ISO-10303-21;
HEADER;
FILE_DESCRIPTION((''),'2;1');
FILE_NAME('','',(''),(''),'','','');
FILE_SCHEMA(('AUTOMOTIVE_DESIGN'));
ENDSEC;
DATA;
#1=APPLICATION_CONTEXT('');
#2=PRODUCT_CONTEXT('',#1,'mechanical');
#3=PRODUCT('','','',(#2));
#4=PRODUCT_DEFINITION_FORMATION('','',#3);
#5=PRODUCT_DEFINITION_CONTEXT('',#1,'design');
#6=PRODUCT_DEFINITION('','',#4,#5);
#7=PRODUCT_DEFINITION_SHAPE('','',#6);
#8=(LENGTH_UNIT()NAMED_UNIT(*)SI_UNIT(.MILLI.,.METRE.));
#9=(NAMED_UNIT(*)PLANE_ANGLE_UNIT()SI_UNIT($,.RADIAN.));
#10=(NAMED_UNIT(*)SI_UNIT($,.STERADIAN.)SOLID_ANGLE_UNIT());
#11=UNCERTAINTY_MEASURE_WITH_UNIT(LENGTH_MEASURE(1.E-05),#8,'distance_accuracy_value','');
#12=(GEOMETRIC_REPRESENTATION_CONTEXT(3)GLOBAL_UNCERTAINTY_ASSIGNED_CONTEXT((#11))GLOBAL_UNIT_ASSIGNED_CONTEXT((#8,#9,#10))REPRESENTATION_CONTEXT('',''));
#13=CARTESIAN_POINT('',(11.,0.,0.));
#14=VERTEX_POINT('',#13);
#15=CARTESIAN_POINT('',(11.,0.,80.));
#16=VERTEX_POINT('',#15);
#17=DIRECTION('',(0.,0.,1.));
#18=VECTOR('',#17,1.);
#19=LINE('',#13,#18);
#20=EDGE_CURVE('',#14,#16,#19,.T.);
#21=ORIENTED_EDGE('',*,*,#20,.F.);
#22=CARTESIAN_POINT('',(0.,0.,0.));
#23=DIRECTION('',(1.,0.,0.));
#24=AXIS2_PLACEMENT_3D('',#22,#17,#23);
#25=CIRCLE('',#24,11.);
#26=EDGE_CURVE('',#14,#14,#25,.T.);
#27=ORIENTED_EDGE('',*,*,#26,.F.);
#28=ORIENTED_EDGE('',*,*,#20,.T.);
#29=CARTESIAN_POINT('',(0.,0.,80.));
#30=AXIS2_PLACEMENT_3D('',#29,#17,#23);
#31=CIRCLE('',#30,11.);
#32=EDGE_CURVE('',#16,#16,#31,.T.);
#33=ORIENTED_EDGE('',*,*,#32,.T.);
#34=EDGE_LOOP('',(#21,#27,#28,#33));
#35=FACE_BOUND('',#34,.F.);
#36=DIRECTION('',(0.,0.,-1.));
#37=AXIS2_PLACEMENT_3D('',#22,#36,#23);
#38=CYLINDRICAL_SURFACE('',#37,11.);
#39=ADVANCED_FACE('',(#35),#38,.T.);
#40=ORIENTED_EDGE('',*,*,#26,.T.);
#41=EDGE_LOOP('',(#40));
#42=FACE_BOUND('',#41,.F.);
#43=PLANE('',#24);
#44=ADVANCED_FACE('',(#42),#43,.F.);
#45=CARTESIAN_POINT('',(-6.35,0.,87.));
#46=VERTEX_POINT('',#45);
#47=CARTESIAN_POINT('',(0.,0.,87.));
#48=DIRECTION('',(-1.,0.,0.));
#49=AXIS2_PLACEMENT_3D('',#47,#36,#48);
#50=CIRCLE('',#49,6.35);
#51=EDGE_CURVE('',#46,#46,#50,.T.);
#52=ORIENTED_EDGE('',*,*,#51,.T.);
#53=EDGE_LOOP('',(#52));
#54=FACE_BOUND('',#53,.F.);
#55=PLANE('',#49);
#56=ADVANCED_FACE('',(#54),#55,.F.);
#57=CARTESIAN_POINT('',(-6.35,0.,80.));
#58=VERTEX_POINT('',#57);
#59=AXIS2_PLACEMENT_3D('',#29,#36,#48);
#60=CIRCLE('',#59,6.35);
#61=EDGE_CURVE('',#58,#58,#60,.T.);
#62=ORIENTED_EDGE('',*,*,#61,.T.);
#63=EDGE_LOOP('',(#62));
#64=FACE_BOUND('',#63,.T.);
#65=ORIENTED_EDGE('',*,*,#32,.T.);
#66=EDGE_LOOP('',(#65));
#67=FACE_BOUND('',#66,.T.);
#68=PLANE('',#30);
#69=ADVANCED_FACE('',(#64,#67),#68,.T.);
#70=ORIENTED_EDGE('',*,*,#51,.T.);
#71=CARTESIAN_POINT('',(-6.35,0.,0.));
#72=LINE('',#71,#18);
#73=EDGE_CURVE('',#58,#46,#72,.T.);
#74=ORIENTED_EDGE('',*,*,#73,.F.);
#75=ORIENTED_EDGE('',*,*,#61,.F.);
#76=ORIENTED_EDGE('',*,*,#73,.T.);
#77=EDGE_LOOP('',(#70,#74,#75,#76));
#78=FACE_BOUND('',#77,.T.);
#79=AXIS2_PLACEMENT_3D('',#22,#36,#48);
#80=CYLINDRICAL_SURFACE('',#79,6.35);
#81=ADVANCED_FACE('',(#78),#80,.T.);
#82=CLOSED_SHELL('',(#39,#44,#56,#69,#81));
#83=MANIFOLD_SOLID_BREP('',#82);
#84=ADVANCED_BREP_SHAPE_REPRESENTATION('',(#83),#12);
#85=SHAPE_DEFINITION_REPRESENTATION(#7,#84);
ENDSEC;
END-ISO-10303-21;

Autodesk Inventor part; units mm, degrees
ref_plane "YZ Plane" through (0, 0, 0) normal (1, 0, 0) x (0, 1, 0)
ref_plane "XZ Plane" through (0, 0, 0) normal (0, 1, 0) x (-1, 0, 0)
ref_plane "XY Plane" through (0, 0, 0) normal (0, 0, 1) x (1, 0, 0)
sketch "Sketch1" plane through (0, 0, 0) normal (0, 0, 1) x (1, 0, 0)
  circle A0 centre (0, 0) radius 11
  circle A1 centre (0, 0) radius 6.35
  dimension "d0" = 22
  dimension "d1" = 12.7
extrude "Extrusion1" add sketch "Sketch1" along normal blind 80
sketch "Sketch2" plane through (0, 0, 0) normal (0, 0, -1) x (-1, 0, 0)
  circle A0 centre (0, 0) radius 6.35
  dimension "d4" = 12.7
extrude "Extrusion2" add sketch "Sketch2" against normal blind 87
properties part number "Handle Holder"
